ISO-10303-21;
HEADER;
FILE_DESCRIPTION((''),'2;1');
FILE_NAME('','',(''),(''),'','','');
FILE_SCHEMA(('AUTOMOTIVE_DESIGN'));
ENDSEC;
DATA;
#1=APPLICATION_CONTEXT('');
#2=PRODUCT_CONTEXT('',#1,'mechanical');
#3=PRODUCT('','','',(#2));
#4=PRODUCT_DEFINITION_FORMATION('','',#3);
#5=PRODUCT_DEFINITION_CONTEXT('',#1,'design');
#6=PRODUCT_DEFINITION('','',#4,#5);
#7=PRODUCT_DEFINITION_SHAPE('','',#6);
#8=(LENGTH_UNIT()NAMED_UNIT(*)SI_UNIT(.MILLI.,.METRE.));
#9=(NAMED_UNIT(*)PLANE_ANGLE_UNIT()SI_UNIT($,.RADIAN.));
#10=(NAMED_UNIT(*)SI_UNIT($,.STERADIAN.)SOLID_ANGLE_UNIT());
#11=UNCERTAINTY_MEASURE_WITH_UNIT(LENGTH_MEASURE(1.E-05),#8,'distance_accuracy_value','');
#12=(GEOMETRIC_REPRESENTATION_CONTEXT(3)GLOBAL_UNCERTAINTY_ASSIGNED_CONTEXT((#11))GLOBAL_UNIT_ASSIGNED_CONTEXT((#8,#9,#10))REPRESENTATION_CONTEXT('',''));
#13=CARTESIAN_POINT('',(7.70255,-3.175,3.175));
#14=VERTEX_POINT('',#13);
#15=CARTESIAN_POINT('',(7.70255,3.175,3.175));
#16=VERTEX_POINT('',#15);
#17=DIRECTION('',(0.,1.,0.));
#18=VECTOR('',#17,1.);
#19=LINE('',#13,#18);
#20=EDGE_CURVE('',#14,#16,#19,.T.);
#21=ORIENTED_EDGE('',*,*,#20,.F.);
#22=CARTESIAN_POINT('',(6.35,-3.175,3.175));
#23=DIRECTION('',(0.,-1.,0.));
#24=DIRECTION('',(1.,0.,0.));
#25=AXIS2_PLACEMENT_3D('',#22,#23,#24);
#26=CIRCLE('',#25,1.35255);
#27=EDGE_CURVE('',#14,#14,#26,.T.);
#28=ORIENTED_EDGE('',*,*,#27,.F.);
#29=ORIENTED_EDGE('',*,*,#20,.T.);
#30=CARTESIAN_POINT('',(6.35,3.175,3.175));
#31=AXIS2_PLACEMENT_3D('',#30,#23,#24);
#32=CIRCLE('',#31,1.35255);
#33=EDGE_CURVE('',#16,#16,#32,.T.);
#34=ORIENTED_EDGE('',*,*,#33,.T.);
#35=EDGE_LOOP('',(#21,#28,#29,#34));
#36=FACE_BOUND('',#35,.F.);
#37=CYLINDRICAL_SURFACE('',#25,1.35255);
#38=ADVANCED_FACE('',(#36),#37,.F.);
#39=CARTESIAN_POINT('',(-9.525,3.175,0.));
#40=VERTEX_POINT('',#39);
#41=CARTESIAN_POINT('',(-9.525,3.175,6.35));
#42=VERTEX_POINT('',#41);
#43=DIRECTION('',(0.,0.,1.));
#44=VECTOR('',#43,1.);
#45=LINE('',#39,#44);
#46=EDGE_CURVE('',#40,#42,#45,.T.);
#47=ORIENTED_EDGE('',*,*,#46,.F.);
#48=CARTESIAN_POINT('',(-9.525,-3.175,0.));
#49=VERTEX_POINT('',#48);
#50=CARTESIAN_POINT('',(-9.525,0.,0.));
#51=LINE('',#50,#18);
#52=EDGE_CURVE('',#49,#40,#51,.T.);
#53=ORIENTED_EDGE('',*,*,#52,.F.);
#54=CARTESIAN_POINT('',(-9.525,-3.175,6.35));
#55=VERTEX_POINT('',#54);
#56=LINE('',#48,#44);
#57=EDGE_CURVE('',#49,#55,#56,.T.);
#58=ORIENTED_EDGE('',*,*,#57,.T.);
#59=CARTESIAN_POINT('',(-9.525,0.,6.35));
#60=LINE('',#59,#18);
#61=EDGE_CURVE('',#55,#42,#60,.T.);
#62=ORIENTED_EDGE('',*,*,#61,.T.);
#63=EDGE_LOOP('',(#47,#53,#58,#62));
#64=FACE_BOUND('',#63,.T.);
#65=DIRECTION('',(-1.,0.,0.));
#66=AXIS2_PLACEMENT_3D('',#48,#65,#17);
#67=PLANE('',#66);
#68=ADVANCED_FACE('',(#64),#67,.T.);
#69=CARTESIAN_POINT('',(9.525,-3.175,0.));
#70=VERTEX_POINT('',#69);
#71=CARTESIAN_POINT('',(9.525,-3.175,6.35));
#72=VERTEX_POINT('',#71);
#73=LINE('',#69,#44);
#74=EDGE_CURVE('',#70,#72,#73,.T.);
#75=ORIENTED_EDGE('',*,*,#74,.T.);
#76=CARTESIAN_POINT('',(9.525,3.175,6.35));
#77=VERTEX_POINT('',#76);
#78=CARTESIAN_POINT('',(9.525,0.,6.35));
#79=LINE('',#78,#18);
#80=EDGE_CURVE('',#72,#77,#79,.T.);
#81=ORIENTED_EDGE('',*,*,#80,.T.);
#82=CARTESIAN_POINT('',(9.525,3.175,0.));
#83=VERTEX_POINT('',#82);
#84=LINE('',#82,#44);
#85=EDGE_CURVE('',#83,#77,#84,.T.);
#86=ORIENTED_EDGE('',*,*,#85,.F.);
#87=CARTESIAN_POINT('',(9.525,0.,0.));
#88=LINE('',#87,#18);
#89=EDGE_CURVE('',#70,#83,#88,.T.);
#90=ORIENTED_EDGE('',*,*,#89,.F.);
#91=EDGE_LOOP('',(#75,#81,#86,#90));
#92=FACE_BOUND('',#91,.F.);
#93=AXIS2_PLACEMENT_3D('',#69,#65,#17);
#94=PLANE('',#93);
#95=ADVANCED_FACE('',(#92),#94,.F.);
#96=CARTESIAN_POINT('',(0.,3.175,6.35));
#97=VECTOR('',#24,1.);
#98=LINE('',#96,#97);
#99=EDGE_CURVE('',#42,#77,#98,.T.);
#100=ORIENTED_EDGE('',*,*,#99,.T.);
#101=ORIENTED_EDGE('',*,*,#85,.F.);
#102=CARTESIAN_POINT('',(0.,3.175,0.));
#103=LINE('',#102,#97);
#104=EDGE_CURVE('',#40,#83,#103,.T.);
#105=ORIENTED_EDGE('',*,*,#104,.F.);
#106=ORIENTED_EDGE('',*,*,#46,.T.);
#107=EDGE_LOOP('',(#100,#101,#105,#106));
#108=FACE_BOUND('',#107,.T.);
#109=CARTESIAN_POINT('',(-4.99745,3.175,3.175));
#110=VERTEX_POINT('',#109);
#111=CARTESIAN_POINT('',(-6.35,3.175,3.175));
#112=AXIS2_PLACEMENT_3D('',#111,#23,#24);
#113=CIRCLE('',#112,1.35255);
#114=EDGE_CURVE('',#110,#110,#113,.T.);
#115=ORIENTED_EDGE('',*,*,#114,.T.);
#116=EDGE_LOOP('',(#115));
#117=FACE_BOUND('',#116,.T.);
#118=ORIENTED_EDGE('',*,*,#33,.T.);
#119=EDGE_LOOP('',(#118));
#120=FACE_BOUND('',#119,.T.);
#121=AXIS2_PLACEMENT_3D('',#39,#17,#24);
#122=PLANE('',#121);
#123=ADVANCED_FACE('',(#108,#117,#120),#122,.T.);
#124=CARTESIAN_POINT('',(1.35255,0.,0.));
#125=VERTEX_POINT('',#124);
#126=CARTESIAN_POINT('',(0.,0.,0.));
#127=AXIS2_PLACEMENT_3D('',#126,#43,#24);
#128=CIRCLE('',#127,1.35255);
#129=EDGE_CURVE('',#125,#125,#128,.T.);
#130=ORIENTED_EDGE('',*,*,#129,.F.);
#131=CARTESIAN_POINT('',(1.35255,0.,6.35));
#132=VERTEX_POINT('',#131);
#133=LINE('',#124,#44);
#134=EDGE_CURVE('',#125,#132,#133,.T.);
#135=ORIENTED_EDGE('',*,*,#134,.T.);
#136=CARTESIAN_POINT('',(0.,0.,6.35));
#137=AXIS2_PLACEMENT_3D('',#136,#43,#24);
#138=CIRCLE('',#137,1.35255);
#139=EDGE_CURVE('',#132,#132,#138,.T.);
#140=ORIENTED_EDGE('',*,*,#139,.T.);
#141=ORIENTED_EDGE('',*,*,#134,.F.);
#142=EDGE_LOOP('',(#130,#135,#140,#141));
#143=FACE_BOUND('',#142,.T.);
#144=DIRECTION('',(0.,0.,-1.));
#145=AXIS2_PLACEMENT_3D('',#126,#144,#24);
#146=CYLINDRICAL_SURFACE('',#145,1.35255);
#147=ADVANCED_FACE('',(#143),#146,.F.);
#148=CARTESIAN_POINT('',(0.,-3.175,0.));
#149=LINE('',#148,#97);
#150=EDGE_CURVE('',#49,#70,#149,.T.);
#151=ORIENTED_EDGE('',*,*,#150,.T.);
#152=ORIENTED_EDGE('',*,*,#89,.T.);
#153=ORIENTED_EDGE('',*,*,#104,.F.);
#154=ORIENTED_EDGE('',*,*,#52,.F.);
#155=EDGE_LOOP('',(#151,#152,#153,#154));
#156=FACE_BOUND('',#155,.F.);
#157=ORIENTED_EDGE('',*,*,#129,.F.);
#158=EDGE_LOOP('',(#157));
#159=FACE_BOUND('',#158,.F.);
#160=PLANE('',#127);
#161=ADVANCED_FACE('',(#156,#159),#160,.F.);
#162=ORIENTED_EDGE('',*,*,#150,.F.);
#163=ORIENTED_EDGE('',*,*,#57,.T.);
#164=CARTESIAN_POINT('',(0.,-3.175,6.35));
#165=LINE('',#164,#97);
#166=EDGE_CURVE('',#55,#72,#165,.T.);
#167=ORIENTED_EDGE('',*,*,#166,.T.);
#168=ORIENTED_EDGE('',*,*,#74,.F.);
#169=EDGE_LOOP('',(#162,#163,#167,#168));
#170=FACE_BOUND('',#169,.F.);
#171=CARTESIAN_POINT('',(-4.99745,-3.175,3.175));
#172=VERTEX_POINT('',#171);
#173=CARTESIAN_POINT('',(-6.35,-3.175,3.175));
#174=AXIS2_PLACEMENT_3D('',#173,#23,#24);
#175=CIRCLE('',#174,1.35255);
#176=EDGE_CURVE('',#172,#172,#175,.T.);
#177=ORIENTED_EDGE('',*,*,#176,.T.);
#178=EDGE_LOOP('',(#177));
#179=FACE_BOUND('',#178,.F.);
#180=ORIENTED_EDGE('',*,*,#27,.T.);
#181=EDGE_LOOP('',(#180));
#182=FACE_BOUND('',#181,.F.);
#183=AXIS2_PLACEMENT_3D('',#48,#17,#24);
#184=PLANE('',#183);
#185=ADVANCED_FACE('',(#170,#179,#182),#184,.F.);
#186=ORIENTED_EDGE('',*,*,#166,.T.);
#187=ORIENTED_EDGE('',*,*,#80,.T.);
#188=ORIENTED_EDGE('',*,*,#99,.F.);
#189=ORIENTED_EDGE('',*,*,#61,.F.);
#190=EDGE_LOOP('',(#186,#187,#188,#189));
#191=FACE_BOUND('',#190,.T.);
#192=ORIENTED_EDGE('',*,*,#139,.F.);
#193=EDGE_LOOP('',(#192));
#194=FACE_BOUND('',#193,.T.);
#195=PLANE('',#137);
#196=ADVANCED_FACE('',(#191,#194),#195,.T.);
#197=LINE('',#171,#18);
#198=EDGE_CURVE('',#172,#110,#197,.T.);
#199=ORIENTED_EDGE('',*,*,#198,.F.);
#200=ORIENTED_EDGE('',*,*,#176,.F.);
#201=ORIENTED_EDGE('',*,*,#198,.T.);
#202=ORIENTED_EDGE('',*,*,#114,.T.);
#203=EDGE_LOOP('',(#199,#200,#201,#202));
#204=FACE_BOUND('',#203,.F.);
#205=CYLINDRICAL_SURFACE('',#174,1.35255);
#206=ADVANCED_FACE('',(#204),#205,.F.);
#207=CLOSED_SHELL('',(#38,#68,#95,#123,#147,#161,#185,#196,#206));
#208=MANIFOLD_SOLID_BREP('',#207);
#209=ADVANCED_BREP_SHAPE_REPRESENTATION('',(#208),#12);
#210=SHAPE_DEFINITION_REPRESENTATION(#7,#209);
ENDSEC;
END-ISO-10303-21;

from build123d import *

# Parameters (mm, degrees)
F0_W     = 19.05
F0_H     = 6.35
F0_R     = 1.35255
F1_DEPTH = 6.35
F2_R     = 1.35255
F3_DEPTH = 6.35


with BuildPart() as f1:
    # F0 (on Top) → F1 (new body)
    with BuildSketch(Plane.XY):
        Rectangle(F0_W, F0_H)
        Circle(F0_R, mode=Mode.SUBTRACT)
    extrude(amount=F1_DEPTH)

    # F2 (on face) → F3 (cut, through all)
    with BuildSketch(Plane.XZ.offset(3.175)):
        with Locations((-6.35, 3.175)):
            Circle(F2_R)
        with Locations((6.35, 3.175)):
            Circle(F2_R)
    extrude(amount=-F3_DEPTH, mode=Mode.SUBTRACT)


solid = f1.part
